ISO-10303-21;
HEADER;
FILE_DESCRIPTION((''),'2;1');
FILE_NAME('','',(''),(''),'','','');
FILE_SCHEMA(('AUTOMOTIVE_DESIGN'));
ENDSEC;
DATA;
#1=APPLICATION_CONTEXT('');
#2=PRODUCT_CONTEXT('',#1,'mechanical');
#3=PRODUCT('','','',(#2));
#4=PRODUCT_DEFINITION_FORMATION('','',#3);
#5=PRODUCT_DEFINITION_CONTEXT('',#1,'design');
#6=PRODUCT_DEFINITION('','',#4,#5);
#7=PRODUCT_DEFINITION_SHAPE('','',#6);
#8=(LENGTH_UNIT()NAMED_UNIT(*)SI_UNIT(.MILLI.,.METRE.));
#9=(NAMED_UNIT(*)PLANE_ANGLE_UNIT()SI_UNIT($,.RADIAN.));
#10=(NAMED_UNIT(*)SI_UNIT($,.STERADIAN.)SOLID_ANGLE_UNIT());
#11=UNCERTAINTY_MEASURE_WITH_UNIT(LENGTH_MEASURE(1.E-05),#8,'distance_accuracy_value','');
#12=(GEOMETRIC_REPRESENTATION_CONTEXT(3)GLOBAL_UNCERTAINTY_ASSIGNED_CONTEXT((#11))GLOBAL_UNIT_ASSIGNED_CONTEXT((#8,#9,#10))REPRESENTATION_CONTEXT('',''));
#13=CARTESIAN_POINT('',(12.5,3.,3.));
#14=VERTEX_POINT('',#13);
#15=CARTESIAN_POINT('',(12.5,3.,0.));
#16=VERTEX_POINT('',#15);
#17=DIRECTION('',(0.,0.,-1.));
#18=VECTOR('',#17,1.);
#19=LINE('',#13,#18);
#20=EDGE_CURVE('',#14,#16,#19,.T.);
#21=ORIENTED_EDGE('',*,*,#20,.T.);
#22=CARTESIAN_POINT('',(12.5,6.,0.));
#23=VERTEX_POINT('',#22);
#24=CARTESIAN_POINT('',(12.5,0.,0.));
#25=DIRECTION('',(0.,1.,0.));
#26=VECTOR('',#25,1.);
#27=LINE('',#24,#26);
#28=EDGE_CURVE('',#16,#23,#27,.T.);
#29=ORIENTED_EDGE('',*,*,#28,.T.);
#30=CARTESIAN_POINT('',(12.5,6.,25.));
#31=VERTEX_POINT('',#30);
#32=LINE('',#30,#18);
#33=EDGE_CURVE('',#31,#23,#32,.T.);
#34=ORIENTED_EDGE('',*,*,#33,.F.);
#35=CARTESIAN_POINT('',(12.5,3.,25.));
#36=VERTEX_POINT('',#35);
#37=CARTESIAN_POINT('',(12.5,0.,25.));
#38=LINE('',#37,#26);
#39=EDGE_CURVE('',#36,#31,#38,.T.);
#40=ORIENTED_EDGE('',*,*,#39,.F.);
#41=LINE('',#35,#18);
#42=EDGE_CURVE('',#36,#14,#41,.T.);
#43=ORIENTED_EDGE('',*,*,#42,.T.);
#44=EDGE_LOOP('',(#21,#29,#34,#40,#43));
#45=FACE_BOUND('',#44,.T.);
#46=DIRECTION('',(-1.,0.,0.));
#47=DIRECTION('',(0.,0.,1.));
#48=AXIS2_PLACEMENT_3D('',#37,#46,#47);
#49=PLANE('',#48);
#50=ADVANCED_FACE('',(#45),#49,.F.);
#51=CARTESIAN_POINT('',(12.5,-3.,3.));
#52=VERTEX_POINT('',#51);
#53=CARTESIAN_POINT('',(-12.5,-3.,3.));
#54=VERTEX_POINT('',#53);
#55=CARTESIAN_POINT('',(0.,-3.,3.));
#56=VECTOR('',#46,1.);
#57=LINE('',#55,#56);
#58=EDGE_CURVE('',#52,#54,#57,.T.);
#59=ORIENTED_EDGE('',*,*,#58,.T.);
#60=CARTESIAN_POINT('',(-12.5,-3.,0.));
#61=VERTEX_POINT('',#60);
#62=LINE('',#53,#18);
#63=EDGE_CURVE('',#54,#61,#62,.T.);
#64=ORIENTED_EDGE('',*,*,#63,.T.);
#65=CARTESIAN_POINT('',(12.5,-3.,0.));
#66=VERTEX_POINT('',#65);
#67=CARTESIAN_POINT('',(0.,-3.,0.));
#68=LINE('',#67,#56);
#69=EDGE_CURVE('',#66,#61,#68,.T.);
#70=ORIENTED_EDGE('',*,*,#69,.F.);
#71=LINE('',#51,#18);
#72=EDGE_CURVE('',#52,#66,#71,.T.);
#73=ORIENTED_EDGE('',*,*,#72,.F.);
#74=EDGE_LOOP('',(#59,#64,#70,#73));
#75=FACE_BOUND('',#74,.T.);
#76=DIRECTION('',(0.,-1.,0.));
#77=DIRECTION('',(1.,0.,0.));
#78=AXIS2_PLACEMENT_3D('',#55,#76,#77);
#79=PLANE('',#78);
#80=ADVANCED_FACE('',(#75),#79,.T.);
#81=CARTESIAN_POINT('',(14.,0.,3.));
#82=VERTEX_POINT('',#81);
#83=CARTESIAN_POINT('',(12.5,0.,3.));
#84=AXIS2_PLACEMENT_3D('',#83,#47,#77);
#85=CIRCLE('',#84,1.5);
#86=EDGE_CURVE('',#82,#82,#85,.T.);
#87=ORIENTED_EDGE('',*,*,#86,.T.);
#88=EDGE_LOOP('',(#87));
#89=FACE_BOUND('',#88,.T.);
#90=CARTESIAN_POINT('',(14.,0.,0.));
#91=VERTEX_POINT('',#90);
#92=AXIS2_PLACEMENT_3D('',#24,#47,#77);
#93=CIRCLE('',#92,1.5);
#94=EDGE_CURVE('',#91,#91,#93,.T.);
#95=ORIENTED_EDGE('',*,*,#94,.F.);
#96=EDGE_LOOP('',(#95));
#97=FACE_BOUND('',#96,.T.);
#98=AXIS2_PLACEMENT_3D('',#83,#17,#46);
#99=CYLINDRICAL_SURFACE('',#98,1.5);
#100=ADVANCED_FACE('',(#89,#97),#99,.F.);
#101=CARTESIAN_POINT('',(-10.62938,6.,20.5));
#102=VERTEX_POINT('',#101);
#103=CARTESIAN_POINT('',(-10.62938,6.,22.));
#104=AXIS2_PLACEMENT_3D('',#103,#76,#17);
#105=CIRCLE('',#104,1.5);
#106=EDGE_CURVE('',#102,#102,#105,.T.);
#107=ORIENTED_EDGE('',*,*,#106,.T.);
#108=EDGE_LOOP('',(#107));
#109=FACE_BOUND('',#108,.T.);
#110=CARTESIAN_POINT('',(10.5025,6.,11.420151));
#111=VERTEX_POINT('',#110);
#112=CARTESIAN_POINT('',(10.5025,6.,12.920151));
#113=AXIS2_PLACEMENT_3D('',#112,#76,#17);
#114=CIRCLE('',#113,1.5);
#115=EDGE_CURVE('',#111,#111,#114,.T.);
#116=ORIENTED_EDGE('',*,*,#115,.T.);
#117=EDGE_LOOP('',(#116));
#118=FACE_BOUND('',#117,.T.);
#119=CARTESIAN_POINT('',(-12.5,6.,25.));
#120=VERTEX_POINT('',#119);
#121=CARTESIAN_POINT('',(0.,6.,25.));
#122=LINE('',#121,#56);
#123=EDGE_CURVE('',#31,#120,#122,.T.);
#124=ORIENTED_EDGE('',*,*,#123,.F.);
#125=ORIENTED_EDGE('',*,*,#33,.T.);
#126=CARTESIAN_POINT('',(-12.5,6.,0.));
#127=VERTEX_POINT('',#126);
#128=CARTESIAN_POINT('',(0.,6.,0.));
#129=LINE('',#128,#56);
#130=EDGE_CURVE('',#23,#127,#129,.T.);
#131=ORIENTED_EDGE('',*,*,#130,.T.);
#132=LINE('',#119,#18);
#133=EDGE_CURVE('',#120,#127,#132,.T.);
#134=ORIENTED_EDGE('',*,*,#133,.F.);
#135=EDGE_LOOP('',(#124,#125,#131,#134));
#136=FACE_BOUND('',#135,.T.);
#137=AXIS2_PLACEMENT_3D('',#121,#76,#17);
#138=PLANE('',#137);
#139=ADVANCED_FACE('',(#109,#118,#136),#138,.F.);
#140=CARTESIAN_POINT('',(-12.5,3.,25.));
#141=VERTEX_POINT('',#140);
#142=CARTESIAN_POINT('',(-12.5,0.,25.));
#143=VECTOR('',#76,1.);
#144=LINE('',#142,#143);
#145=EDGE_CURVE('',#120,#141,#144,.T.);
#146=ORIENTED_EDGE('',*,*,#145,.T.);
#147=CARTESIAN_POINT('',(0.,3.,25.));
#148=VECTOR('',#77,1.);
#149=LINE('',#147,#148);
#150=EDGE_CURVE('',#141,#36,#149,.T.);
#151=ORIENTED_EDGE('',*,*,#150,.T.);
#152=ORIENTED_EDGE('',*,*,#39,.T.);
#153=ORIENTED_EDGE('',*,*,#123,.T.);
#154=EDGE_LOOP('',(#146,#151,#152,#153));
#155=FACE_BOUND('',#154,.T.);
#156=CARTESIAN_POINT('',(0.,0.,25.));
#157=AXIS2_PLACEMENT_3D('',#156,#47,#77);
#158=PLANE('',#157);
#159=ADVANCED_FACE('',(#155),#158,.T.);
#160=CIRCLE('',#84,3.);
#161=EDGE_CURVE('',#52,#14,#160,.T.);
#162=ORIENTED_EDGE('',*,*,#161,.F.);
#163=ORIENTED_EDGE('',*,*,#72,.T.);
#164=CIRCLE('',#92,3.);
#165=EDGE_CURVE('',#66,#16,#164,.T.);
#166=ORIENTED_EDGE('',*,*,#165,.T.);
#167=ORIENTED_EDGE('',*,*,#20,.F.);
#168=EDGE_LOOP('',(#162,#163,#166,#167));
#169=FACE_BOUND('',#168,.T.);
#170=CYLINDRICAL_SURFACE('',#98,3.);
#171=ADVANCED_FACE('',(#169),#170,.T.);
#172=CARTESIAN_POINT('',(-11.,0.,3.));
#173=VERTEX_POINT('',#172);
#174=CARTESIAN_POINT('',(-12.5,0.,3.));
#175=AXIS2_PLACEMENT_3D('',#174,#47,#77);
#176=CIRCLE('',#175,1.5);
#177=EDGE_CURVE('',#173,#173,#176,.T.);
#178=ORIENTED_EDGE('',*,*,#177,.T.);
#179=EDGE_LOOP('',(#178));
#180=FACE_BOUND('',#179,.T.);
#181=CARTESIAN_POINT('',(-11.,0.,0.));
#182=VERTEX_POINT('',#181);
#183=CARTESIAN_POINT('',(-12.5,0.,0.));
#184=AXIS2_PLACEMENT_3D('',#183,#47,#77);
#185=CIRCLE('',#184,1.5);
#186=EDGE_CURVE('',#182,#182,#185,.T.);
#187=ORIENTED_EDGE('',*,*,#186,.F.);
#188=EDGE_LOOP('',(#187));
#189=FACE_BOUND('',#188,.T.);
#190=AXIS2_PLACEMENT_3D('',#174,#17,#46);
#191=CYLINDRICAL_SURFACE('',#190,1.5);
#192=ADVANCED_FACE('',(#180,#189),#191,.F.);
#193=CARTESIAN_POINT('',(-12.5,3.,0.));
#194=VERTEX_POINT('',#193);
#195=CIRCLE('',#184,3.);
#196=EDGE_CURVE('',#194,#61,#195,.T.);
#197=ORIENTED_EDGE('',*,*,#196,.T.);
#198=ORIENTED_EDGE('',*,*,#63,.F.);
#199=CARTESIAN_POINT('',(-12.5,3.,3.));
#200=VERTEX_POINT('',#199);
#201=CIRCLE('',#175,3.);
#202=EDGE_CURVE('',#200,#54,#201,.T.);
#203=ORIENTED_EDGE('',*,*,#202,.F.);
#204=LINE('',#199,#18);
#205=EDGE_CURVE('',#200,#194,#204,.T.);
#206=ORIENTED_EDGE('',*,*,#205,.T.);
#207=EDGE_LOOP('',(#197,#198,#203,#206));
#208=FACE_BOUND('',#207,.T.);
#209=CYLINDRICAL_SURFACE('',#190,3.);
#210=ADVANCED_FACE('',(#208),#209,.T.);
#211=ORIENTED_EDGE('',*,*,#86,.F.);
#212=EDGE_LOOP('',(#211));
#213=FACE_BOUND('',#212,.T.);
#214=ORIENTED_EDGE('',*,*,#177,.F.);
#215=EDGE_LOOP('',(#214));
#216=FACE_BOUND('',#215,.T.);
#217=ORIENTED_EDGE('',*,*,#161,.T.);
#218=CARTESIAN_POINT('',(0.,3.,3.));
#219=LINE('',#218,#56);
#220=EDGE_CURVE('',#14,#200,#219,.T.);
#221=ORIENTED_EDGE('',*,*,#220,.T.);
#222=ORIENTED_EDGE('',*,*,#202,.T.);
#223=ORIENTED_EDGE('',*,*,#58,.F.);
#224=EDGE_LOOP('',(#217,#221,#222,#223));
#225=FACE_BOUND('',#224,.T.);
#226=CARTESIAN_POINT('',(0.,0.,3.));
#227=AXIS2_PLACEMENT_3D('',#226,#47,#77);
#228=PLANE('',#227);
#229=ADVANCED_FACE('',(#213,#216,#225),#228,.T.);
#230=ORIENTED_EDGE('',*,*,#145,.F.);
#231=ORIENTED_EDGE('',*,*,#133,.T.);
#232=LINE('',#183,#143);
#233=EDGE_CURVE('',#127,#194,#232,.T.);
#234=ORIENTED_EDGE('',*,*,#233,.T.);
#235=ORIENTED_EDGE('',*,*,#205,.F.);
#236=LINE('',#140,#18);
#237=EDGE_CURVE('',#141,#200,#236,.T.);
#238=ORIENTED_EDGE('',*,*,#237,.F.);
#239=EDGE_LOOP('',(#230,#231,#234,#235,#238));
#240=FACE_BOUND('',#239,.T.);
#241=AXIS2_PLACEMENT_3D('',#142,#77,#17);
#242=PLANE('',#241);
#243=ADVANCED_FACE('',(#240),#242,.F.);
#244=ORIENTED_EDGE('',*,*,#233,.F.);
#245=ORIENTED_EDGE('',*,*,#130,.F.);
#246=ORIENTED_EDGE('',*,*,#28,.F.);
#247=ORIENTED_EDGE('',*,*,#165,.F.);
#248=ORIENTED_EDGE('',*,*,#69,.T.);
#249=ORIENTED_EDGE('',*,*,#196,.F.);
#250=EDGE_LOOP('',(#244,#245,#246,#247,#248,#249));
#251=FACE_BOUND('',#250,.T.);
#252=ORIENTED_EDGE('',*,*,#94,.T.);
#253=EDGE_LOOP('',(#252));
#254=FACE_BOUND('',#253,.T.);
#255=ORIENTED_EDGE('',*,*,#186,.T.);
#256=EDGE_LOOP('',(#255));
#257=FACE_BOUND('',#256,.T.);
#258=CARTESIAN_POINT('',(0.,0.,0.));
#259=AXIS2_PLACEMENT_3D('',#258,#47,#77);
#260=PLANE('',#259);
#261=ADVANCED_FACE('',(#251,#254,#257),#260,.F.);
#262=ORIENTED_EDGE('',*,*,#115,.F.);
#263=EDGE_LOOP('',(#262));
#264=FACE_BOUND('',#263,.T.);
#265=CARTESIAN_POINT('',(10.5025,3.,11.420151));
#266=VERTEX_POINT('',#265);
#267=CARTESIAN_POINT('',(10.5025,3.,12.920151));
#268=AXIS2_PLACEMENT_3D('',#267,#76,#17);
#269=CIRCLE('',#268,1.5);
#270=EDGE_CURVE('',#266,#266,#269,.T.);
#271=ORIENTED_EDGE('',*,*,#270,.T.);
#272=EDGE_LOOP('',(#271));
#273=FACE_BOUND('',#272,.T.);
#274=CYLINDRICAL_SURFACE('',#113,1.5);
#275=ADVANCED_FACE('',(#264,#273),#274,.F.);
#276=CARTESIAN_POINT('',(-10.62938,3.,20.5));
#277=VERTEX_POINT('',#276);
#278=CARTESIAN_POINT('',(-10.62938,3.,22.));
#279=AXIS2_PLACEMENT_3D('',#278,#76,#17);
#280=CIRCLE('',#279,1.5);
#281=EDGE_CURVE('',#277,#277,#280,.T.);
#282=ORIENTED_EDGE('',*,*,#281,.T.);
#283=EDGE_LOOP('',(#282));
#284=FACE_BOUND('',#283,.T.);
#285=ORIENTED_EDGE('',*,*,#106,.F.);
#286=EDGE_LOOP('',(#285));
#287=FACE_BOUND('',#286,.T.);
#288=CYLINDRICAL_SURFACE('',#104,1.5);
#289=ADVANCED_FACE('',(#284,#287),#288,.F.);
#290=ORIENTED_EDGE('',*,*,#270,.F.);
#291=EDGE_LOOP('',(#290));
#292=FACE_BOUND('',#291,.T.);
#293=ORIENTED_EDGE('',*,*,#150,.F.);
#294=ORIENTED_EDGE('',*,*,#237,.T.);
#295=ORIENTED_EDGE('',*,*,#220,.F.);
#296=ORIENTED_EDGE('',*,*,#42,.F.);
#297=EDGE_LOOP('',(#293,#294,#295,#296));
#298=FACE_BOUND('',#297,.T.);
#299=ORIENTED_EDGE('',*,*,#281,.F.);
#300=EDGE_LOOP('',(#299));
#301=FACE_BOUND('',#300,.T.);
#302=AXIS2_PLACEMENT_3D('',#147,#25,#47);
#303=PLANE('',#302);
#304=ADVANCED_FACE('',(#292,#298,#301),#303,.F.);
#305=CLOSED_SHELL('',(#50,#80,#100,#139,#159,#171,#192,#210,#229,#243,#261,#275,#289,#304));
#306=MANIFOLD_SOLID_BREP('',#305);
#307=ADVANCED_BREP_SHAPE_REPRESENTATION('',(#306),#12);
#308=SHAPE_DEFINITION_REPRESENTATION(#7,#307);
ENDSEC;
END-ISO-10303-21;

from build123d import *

# Parameters (mm, degrees)
SKETCH_1_R          = 1.5
EXTRUDE_1_DEPTH     = 3
EXTRUDE_START       = -3
SKETCH_2_W          = 25
SKETCH_2_H          = 3
EXTRUDE_2_DEPTH     = 25
SKETCH_8_R          = 1.5
CUT_EXTRUDE_1_DEPTH = 31.020826105


with BuildPart() as part:
    # 草图1 → 凸台-拉伸1 (new body)
    with BuildSketch(Plane.XY):
        with BuildLine():
            Line((12.5, 3), (-12.5, 3))
            ThreePointArc((-12.5, 3), (-15.5, 0), (-12.5, -3))
            Line((-12.5, -3), (12.5, -3))
            ThreePointArc((12.5, -3), (15.5, 0), (12.5, 3))
        make_face()
        with Locations((-12.5, 0)):
            Circle(SKETCH_1_R, mode=Mode.SUBTRACT)
        with Locations((12.5, 0)):
            Circle(SKETCH_1_R, mode=Mode.SUBTRACT)
    extrude(amount=EXTRUDE_1_DEPTH)

    # 草图2 → 凸台-拉伸2 (add)
    with BuildSketch(Plane.XY.offset(3).offset(EXTRUDE_START)):
        with Locations((0, 4.5)):
            Rectangle(SKETCH_2_W, SKETCH_2_H)
    extrude(amount=EXTRUDE_2_DEPTH)

    # 草图8 → 切除-拉伸1 (cut, through all)
    with BuildSketch(Plane.XZ.offset(-3)):
        with Locations(Location((-10.629379797, 22, 0), (0, 0, 270))):
            Circle(SKETCH_8_R)
        with Locations(Location((10.50249981, 12.920150648, 0), (0, 0, 270))):
            Circle(SKETCH_8_R)
    extrude(amount=-CUT_EXTRUDE_1_DEPTH, mode=Mode.SUBTRACT)


solid = part.part
